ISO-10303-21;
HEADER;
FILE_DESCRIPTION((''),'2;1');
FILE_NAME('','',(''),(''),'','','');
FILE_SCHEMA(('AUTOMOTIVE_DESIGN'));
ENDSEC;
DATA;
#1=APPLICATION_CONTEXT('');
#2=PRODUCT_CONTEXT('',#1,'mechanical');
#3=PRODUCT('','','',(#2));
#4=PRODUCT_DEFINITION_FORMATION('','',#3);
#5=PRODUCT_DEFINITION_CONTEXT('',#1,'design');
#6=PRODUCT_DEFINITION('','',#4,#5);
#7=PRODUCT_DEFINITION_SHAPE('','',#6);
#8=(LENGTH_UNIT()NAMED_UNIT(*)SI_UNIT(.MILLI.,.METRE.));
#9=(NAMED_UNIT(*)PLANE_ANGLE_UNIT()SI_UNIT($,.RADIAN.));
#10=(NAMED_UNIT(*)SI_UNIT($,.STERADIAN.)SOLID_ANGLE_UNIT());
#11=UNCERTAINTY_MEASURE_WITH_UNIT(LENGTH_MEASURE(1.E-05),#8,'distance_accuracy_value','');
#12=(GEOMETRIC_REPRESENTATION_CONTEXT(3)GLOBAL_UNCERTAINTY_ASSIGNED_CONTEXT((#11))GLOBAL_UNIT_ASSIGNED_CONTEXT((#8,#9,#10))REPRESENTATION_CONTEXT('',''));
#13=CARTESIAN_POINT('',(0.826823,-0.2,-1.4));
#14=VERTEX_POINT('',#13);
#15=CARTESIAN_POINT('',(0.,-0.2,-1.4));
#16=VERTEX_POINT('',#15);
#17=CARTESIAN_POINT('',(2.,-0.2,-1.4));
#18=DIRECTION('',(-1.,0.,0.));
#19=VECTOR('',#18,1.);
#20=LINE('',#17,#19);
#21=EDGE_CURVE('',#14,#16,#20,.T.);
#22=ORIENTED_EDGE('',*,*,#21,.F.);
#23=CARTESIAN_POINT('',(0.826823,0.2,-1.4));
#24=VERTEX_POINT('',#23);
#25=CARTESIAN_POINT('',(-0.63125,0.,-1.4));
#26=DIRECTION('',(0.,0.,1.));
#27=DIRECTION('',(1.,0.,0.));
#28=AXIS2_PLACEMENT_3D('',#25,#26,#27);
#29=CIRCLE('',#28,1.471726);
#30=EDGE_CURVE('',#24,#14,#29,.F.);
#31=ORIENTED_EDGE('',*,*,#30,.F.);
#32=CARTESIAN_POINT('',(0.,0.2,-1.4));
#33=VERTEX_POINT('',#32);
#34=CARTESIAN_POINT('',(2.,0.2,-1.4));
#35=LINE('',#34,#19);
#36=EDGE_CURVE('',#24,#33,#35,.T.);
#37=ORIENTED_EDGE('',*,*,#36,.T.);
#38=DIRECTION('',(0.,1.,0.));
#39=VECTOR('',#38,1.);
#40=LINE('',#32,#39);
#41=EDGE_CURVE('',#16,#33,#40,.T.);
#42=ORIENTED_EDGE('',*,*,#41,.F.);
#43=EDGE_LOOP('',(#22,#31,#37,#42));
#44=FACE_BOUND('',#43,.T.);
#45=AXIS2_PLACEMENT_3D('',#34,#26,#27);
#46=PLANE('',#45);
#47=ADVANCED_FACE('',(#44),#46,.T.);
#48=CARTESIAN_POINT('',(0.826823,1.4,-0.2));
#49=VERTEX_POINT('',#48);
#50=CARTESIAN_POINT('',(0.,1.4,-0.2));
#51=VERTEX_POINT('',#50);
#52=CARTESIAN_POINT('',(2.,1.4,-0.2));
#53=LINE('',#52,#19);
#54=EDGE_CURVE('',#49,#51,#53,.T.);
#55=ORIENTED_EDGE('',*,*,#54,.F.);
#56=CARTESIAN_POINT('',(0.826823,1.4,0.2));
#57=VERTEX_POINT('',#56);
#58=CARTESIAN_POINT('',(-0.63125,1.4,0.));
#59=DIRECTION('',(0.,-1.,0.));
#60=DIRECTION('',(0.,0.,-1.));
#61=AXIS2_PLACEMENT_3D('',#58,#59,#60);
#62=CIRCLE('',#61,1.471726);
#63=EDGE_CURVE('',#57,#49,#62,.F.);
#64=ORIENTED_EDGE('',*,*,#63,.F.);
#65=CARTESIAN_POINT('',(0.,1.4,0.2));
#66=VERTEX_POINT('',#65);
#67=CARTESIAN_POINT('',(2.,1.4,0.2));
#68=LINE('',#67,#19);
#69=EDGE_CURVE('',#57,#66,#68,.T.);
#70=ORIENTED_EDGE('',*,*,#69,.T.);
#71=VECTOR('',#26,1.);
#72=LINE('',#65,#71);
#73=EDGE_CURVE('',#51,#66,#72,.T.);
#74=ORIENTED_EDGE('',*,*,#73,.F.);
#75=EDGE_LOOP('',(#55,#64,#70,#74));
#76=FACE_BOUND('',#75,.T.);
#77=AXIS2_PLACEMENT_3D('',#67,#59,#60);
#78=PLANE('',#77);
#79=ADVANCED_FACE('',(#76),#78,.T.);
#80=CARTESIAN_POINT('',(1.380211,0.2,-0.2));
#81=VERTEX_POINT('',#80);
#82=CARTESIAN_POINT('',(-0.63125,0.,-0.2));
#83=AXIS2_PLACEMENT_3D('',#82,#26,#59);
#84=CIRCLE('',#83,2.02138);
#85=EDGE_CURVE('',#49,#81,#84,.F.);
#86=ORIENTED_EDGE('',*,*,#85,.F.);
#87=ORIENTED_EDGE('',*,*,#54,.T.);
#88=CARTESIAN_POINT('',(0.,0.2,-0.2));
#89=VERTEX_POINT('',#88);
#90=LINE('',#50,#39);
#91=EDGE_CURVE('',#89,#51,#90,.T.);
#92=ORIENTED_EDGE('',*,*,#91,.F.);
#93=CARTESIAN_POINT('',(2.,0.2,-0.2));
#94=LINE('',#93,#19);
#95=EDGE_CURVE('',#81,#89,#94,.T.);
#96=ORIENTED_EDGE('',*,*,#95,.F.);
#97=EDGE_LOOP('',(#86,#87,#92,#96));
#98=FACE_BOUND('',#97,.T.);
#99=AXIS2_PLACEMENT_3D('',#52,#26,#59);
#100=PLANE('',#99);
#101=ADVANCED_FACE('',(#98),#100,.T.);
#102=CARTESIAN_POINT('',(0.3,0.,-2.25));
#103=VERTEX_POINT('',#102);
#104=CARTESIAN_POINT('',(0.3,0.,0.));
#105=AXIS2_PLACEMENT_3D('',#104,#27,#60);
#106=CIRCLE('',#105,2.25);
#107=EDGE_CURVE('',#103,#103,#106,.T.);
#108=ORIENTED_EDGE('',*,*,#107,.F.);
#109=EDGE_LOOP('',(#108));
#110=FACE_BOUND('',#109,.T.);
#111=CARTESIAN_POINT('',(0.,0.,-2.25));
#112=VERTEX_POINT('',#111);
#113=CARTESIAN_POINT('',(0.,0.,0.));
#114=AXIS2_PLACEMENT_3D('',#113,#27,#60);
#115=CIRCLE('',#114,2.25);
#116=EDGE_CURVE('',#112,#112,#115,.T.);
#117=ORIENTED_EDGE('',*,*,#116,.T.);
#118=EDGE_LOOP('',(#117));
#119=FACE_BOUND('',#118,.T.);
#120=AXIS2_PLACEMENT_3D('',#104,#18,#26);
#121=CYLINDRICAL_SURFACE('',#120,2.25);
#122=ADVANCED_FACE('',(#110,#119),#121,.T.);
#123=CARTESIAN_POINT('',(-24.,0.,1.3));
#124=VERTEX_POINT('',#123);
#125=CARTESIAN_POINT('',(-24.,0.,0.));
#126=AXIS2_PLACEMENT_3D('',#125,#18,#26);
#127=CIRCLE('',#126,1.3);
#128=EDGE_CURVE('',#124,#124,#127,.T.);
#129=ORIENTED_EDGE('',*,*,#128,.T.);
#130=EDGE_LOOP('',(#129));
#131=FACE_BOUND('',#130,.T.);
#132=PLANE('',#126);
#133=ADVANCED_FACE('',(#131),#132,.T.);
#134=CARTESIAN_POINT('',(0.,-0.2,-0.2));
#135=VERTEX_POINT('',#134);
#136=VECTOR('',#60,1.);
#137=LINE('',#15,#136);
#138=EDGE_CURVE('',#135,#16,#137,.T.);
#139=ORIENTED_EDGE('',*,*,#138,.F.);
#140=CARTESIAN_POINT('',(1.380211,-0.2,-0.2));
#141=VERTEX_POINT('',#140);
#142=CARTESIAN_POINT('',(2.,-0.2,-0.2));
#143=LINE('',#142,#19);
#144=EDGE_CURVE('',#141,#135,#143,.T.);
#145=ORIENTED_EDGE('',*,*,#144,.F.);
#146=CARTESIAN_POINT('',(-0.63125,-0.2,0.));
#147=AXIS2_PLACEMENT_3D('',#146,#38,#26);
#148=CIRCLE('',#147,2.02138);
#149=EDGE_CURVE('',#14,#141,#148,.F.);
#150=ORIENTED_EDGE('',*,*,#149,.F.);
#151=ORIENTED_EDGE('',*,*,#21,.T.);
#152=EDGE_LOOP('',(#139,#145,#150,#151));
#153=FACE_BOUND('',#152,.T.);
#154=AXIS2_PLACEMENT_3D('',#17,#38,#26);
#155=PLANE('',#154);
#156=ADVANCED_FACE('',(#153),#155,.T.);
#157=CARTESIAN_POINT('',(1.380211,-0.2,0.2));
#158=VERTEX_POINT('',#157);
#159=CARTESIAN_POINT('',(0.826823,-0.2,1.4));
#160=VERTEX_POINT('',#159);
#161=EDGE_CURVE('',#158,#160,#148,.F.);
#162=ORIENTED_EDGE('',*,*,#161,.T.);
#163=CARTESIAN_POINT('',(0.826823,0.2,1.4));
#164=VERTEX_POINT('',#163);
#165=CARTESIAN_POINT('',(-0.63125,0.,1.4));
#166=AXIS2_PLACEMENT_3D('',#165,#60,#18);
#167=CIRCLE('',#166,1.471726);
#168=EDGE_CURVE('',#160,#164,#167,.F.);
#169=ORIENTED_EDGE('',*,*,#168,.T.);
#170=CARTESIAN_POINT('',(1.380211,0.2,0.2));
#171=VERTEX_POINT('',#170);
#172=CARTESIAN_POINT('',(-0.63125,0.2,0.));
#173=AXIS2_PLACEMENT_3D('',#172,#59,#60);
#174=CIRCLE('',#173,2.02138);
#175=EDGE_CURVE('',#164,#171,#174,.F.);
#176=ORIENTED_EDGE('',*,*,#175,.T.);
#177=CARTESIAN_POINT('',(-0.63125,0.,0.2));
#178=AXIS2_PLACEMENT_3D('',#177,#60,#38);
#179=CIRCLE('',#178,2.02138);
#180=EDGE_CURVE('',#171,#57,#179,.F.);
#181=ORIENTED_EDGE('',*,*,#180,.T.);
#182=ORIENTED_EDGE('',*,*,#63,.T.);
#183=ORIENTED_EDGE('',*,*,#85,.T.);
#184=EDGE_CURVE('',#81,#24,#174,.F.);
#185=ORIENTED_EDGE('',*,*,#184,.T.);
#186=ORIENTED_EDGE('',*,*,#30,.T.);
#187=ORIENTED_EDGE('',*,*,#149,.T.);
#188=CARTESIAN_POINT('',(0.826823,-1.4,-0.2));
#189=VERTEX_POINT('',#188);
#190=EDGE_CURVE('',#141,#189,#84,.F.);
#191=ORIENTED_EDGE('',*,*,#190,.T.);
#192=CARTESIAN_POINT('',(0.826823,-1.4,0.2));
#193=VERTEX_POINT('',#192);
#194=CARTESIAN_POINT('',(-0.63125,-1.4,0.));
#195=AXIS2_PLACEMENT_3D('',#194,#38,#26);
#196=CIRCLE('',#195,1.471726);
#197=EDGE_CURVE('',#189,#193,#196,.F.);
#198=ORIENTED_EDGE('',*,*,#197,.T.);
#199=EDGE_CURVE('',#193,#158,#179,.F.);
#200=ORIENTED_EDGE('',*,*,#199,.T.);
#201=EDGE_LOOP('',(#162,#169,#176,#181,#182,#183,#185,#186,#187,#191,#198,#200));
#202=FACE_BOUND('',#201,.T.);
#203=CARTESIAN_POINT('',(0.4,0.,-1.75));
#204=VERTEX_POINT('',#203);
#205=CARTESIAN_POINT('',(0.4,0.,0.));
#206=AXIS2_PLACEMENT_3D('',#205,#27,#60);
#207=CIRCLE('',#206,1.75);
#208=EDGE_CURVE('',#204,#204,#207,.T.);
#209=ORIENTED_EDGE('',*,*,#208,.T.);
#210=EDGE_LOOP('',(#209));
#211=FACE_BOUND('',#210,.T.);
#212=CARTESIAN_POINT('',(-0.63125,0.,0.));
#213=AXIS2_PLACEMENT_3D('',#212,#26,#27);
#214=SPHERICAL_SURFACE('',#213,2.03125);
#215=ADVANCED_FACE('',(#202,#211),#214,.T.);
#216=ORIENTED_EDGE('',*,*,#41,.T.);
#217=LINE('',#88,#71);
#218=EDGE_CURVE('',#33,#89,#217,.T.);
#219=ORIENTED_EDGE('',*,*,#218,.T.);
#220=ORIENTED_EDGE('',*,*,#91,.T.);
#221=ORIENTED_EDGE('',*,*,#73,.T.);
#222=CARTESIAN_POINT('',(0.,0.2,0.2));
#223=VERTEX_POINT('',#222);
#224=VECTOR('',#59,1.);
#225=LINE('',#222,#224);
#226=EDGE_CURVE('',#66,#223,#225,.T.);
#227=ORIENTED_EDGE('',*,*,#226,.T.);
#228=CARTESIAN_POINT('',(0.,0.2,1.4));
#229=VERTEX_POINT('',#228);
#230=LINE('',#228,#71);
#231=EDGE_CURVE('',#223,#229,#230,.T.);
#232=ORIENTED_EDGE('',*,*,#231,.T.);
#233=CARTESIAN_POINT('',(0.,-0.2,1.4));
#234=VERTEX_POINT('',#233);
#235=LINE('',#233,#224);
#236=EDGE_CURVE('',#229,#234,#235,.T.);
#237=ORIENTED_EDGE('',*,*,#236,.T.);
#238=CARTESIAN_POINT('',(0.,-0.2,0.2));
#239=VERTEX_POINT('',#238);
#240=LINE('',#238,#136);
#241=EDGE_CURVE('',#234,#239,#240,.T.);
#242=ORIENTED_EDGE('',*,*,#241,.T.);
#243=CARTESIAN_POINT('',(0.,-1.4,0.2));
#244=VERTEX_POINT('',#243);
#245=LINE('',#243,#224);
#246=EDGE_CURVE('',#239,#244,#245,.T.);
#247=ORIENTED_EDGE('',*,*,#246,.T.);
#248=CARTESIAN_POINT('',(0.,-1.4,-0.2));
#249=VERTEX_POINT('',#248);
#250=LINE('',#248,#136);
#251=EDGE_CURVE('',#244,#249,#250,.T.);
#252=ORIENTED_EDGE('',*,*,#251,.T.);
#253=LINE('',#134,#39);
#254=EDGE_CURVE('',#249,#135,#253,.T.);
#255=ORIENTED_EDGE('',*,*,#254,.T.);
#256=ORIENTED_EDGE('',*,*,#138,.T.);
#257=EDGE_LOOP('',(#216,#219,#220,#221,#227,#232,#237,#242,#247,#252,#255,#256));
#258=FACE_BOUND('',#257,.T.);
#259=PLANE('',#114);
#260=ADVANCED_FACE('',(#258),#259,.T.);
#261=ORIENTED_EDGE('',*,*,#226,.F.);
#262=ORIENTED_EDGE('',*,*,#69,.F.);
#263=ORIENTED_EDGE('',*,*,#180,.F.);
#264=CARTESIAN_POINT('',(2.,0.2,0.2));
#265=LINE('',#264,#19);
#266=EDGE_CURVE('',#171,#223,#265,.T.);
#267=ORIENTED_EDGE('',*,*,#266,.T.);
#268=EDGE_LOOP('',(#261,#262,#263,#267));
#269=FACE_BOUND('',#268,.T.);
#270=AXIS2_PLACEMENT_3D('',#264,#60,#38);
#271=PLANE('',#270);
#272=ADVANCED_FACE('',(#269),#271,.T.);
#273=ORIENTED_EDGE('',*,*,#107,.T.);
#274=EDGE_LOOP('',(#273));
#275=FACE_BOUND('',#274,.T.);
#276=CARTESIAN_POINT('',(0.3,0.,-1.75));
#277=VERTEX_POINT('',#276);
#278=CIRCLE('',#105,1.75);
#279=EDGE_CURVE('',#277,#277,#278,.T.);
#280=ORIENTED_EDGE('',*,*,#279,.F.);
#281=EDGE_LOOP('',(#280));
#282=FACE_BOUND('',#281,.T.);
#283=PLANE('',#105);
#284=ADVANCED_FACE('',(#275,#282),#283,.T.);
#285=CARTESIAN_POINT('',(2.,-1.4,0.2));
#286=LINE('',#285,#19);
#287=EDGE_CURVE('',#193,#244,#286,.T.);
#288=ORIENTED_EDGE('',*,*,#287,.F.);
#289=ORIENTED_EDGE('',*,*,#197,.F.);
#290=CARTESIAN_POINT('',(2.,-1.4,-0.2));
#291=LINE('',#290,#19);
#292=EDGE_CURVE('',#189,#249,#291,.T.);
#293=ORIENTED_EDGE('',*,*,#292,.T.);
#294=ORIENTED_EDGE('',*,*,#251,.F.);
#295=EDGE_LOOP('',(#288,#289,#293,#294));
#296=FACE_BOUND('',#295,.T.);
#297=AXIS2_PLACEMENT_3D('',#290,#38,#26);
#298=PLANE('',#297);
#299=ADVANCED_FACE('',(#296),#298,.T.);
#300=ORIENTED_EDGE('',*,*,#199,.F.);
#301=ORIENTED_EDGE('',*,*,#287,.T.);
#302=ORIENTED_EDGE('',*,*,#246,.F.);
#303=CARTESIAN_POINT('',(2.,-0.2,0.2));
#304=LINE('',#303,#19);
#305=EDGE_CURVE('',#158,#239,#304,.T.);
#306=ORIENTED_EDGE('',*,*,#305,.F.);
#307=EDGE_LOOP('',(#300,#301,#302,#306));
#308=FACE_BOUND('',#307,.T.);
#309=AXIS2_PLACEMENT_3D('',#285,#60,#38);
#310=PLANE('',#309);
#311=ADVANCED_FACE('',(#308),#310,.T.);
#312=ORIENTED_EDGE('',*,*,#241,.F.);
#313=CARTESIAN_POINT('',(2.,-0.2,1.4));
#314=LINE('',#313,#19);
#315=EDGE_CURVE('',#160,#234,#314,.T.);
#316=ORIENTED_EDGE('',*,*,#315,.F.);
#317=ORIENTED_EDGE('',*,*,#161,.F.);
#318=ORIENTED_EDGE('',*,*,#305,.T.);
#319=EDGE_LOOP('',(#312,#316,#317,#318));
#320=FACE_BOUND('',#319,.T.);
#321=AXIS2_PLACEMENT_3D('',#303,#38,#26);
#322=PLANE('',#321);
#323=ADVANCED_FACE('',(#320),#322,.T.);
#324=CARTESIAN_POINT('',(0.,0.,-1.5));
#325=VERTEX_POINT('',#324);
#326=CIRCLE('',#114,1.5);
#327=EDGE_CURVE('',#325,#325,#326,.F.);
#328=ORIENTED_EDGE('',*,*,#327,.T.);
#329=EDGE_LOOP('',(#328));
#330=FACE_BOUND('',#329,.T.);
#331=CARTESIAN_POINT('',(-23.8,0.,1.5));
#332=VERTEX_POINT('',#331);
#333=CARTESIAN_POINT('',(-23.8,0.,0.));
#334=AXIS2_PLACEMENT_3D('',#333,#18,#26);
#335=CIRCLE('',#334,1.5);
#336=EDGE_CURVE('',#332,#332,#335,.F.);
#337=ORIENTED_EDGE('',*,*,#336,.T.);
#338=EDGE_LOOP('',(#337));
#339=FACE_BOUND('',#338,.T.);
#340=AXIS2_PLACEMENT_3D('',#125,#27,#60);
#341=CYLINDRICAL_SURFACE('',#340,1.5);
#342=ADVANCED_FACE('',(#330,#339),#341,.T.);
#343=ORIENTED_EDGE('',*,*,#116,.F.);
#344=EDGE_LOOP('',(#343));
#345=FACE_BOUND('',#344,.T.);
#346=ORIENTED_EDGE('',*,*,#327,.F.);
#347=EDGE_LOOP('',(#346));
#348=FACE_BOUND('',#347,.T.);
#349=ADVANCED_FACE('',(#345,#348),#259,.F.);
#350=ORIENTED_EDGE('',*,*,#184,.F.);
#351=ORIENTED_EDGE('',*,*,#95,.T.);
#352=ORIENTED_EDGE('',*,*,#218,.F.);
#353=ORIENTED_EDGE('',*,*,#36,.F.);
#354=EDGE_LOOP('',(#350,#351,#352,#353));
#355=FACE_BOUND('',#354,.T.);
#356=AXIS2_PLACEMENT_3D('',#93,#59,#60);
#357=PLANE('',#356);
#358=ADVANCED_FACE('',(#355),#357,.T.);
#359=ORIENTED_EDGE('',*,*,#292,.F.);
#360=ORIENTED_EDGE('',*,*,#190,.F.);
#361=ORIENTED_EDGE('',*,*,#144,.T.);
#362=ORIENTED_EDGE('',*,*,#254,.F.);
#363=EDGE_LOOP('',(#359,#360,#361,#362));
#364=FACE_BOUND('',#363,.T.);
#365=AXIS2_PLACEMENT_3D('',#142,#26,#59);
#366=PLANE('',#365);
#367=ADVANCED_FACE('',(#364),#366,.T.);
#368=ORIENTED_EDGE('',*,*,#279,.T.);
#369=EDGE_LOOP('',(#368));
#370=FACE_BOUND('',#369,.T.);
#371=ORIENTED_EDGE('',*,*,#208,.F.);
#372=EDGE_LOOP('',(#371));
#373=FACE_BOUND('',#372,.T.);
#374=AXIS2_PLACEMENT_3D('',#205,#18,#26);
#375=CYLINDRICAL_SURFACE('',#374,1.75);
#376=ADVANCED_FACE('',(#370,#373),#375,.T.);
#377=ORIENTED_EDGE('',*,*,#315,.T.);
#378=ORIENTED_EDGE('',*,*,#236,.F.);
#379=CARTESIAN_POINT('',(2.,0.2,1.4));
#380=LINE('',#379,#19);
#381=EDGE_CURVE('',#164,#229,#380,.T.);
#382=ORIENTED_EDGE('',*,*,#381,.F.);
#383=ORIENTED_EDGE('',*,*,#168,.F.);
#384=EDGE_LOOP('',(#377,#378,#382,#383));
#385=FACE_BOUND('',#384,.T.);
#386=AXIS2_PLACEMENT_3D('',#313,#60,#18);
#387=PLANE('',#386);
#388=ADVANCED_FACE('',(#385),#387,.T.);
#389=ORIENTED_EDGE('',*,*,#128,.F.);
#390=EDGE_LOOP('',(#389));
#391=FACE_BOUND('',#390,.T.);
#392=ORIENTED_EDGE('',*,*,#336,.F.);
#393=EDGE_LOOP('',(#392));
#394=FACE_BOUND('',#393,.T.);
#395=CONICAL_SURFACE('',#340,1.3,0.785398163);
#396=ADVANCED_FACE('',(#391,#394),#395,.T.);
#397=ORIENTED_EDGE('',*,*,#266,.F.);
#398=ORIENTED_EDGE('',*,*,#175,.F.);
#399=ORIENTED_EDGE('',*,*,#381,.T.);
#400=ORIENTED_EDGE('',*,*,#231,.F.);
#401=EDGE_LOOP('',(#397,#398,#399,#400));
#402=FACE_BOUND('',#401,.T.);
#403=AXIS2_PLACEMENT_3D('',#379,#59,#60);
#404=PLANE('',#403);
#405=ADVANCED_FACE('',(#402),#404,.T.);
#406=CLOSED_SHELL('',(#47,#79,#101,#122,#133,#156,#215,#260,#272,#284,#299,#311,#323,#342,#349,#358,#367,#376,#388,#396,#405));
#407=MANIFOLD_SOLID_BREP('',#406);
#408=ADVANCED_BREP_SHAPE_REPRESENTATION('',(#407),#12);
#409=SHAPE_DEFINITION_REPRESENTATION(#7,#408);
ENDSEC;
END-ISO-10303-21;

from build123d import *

# Parameters (mm, degrees)
SKETCH_1_R          = 2.25
EXTRUDE_1_DEPTH     = 0.3
SKETCH_2_R          = 1.5
EXTRUDE_3_DEPTH     = 24
SKETCH_6_R          = 1.75
EXTRUDE_4_DEPTH     = 0.1
DOME_1_FACE_RADIUS  = 1.75
DOME_1_HEIGHT       = 1
CUT_EXTRUDE_2_DEPTH = 2
CHAMFER_1_SIZE      = 0.2


with BuildPart() as part:
    # 草图1 → 凸台-拉伸1 (new body)
    with BuildSketch(Plane(origin=(0, 0, 0), x_dir=(0, 0, -1), z_dir=(1, 0, 0))):
        Circle(SKETCH_1_R)
    extrude(amount=EXTRUDE_1_DEPTH)

    # 草图2 → 凸台-拉伸3 (add)
    with BuildSketch(Plane.ZY):
        Circle(SKETCH_2_R)
    extrude(amount=EXTRUDE_3_DEPTH)

    # 草图6 → 凸台-拉伸4 (add)
    with BuildSketch(Plane(origin=(0.3, 0, 0), x_dir=(0, 0, -1), z_dir=(1, 0, 0))):
        Circle(SKETCH_6_R)
    extrude(amount=EXTRUDE_4_DEPTH)

    # 圆顶1: a dome of height H over a round flat face of radius A is a cap of a sphere of radius (A * A + H * H) / (2 * H)
    dome_1_r = (DOME_1_FACE_RADIUS * DOME_1_FACE_RADIUS + DOME_1_HEIGHT * DOME_1_HEIGHT) / (2 * DOME_1_HEIGHT)
    dome_1_base = Plane((0.4, 0, 0), z_dir=(1, 0, 0))
    with Locations(dome_1_base.offset(DOME_1_HEIGHT - dome_1_r)):
        dome_1_ball = Sphere(dome_1_r, mode=Mode.PRIVATE)
    add(split(dome_1_ball, bisect_by=dome_1_base, keep=Keep.TOP, mode=Mode.PRIVATE))

    # 草图5 → 切除-拉伸2 (cut)
    with BuildSketch(Plane(origin=(0, 0, 0), x_dir=(0, 0, -1), z_dir=(1, 0, 0))):
        Polygon((0.2, 0.2), (1.4, 0.2), (1.4, -0.2), (0.2, -0.2), (0.2, -1.4), (-0.2, -1.4), (-0.2, -0.2), (-1.4, -0.2), (-1.4, 0.2), (-0.2, 0.2), (-0.2, 1.4), (0.2, 1.4), align=None)
    extrude(amount=CUT_EXTRUDE_2_DEPTH, mode=Mode.SUBTRACT)

    # 倒角1
    chamfer_1_edges = [part.edges().sort_by_distance(p)[0] for p in [
        (-24, 0, -1.5),
    ]]
    chamfer(chamfer_1_edges, length=CHAMFER_1_SIZE)


solid = part.part
